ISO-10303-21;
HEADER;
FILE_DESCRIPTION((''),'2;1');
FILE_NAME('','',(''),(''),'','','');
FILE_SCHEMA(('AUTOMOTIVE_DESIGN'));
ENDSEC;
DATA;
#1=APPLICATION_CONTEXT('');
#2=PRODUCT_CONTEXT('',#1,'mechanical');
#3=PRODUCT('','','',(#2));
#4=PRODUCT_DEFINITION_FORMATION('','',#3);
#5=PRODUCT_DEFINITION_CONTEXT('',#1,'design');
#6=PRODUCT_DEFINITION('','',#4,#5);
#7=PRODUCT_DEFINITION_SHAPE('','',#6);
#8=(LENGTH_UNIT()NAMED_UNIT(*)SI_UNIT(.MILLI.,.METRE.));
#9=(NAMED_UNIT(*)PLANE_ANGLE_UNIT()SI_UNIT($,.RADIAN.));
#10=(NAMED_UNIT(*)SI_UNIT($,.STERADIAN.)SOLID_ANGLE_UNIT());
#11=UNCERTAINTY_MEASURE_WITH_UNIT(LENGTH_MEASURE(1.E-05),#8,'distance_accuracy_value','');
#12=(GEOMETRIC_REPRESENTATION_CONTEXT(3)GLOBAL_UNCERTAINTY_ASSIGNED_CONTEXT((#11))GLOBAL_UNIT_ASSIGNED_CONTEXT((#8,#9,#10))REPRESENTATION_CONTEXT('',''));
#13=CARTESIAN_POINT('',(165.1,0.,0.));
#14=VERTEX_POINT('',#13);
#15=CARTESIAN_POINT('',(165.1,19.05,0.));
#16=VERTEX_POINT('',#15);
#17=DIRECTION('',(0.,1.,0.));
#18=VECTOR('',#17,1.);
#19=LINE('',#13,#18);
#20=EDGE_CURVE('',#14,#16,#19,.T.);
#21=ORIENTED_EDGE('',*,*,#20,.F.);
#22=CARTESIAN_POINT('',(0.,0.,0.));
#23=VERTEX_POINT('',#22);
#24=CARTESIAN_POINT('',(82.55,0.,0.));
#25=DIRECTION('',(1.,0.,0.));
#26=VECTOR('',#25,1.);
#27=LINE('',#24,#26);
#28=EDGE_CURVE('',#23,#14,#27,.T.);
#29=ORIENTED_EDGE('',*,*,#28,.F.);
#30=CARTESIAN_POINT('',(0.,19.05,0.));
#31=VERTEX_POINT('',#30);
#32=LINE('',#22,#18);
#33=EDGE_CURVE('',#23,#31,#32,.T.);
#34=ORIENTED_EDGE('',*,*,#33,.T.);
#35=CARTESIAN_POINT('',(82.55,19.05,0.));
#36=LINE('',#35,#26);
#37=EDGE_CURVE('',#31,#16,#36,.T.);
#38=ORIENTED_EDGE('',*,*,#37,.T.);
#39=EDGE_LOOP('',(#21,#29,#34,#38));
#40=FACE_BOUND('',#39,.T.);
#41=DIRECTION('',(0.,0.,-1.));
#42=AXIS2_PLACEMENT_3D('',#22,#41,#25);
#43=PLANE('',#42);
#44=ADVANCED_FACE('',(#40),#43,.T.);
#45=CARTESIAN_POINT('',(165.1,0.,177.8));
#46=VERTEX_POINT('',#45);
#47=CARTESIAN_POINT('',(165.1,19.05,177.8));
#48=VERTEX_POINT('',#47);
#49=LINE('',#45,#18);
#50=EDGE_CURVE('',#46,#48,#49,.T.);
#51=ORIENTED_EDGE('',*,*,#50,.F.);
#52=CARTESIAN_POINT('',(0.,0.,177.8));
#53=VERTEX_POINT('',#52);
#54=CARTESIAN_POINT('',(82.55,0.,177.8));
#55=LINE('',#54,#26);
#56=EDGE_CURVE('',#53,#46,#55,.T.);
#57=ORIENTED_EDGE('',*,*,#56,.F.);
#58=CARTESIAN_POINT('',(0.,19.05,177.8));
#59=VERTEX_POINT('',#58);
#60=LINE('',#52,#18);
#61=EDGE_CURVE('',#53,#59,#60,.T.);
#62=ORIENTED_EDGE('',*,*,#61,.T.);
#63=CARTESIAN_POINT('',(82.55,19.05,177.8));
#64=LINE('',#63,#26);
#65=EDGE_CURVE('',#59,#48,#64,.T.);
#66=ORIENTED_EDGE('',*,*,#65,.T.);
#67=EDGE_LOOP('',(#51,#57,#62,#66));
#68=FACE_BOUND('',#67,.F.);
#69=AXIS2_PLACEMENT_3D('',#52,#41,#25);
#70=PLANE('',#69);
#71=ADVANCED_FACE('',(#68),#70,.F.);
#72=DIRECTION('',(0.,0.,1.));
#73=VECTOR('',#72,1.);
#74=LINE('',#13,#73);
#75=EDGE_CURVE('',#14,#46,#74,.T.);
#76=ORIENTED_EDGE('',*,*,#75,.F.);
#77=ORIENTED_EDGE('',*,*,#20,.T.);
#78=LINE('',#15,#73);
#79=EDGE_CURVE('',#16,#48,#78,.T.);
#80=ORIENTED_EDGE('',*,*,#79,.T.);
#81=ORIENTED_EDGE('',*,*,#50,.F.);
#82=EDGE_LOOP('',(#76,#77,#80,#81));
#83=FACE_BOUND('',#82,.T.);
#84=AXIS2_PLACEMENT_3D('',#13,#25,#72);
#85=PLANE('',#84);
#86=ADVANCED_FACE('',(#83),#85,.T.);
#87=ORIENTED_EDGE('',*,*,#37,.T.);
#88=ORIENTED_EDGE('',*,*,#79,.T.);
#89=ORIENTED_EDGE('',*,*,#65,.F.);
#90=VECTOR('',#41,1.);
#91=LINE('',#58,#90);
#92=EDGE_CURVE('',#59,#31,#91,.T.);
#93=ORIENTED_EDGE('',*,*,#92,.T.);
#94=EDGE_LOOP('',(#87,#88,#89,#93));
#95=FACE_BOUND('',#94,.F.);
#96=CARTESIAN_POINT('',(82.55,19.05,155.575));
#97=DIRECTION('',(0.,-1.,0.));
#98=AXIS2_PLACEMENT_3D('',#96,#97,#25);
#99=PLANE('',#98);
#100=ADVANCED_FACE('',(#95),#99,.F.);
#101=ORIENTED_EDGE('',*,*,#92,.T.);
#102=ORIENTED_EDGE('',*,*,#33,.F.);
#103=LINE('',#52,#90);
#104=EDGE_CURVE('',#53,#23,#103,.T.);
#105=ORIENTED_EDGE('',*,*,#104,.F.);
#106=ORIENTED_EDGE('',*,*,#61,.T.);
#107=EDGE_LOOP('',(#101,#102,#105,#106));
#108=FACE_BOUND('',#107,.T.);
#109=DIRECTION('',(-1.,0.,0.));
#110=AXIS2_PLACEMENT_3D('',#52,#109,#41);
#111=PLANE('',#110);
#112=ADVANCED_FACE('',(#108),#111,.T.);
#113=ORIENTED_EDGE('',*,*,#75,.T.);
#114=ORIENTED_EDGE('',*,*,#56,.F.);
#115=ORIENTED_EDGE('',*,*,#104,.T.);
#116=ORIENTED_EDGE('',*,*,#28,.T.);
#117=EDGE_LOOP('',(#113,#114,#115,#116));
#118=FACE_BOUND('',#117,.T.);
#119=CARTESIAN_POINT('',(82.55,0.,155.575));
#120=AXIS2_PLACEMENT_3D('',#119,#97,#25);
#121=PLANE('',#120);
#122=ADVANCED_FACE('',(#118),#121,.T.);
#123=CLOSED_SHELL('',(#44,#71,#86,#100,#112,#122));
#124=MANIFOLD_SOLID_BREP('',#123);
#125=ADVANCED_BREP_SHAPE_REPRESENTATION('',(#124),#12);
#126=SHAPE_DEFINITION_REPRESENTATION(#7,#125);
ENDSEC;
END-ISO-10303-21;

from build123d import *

# Parameters (mm, degrees)
F0_W     = 165.1
F0_H     = 44.45
F1_DEPTH = 19.05


with BuildPart() as f1:
    # F0 (on Front) → F1 (new body)
    with BuildSketch(Plane.XZ):
        with Locations((82.55, 155.575)):
            Rectangle(F0_W, F0_H)
        with Locations((82.55, 111.125)):
            Rectangle(F0_W, F0_H)
        with Locations((82.55, 66.675)):
            Rectangle(F0_W, F0_H)
        with Locations((82.55, 22.225)):
            Rectangle(F0_W, F0_H)
    extrude(amount=-F1_DEPTH)


solid = f1.part
